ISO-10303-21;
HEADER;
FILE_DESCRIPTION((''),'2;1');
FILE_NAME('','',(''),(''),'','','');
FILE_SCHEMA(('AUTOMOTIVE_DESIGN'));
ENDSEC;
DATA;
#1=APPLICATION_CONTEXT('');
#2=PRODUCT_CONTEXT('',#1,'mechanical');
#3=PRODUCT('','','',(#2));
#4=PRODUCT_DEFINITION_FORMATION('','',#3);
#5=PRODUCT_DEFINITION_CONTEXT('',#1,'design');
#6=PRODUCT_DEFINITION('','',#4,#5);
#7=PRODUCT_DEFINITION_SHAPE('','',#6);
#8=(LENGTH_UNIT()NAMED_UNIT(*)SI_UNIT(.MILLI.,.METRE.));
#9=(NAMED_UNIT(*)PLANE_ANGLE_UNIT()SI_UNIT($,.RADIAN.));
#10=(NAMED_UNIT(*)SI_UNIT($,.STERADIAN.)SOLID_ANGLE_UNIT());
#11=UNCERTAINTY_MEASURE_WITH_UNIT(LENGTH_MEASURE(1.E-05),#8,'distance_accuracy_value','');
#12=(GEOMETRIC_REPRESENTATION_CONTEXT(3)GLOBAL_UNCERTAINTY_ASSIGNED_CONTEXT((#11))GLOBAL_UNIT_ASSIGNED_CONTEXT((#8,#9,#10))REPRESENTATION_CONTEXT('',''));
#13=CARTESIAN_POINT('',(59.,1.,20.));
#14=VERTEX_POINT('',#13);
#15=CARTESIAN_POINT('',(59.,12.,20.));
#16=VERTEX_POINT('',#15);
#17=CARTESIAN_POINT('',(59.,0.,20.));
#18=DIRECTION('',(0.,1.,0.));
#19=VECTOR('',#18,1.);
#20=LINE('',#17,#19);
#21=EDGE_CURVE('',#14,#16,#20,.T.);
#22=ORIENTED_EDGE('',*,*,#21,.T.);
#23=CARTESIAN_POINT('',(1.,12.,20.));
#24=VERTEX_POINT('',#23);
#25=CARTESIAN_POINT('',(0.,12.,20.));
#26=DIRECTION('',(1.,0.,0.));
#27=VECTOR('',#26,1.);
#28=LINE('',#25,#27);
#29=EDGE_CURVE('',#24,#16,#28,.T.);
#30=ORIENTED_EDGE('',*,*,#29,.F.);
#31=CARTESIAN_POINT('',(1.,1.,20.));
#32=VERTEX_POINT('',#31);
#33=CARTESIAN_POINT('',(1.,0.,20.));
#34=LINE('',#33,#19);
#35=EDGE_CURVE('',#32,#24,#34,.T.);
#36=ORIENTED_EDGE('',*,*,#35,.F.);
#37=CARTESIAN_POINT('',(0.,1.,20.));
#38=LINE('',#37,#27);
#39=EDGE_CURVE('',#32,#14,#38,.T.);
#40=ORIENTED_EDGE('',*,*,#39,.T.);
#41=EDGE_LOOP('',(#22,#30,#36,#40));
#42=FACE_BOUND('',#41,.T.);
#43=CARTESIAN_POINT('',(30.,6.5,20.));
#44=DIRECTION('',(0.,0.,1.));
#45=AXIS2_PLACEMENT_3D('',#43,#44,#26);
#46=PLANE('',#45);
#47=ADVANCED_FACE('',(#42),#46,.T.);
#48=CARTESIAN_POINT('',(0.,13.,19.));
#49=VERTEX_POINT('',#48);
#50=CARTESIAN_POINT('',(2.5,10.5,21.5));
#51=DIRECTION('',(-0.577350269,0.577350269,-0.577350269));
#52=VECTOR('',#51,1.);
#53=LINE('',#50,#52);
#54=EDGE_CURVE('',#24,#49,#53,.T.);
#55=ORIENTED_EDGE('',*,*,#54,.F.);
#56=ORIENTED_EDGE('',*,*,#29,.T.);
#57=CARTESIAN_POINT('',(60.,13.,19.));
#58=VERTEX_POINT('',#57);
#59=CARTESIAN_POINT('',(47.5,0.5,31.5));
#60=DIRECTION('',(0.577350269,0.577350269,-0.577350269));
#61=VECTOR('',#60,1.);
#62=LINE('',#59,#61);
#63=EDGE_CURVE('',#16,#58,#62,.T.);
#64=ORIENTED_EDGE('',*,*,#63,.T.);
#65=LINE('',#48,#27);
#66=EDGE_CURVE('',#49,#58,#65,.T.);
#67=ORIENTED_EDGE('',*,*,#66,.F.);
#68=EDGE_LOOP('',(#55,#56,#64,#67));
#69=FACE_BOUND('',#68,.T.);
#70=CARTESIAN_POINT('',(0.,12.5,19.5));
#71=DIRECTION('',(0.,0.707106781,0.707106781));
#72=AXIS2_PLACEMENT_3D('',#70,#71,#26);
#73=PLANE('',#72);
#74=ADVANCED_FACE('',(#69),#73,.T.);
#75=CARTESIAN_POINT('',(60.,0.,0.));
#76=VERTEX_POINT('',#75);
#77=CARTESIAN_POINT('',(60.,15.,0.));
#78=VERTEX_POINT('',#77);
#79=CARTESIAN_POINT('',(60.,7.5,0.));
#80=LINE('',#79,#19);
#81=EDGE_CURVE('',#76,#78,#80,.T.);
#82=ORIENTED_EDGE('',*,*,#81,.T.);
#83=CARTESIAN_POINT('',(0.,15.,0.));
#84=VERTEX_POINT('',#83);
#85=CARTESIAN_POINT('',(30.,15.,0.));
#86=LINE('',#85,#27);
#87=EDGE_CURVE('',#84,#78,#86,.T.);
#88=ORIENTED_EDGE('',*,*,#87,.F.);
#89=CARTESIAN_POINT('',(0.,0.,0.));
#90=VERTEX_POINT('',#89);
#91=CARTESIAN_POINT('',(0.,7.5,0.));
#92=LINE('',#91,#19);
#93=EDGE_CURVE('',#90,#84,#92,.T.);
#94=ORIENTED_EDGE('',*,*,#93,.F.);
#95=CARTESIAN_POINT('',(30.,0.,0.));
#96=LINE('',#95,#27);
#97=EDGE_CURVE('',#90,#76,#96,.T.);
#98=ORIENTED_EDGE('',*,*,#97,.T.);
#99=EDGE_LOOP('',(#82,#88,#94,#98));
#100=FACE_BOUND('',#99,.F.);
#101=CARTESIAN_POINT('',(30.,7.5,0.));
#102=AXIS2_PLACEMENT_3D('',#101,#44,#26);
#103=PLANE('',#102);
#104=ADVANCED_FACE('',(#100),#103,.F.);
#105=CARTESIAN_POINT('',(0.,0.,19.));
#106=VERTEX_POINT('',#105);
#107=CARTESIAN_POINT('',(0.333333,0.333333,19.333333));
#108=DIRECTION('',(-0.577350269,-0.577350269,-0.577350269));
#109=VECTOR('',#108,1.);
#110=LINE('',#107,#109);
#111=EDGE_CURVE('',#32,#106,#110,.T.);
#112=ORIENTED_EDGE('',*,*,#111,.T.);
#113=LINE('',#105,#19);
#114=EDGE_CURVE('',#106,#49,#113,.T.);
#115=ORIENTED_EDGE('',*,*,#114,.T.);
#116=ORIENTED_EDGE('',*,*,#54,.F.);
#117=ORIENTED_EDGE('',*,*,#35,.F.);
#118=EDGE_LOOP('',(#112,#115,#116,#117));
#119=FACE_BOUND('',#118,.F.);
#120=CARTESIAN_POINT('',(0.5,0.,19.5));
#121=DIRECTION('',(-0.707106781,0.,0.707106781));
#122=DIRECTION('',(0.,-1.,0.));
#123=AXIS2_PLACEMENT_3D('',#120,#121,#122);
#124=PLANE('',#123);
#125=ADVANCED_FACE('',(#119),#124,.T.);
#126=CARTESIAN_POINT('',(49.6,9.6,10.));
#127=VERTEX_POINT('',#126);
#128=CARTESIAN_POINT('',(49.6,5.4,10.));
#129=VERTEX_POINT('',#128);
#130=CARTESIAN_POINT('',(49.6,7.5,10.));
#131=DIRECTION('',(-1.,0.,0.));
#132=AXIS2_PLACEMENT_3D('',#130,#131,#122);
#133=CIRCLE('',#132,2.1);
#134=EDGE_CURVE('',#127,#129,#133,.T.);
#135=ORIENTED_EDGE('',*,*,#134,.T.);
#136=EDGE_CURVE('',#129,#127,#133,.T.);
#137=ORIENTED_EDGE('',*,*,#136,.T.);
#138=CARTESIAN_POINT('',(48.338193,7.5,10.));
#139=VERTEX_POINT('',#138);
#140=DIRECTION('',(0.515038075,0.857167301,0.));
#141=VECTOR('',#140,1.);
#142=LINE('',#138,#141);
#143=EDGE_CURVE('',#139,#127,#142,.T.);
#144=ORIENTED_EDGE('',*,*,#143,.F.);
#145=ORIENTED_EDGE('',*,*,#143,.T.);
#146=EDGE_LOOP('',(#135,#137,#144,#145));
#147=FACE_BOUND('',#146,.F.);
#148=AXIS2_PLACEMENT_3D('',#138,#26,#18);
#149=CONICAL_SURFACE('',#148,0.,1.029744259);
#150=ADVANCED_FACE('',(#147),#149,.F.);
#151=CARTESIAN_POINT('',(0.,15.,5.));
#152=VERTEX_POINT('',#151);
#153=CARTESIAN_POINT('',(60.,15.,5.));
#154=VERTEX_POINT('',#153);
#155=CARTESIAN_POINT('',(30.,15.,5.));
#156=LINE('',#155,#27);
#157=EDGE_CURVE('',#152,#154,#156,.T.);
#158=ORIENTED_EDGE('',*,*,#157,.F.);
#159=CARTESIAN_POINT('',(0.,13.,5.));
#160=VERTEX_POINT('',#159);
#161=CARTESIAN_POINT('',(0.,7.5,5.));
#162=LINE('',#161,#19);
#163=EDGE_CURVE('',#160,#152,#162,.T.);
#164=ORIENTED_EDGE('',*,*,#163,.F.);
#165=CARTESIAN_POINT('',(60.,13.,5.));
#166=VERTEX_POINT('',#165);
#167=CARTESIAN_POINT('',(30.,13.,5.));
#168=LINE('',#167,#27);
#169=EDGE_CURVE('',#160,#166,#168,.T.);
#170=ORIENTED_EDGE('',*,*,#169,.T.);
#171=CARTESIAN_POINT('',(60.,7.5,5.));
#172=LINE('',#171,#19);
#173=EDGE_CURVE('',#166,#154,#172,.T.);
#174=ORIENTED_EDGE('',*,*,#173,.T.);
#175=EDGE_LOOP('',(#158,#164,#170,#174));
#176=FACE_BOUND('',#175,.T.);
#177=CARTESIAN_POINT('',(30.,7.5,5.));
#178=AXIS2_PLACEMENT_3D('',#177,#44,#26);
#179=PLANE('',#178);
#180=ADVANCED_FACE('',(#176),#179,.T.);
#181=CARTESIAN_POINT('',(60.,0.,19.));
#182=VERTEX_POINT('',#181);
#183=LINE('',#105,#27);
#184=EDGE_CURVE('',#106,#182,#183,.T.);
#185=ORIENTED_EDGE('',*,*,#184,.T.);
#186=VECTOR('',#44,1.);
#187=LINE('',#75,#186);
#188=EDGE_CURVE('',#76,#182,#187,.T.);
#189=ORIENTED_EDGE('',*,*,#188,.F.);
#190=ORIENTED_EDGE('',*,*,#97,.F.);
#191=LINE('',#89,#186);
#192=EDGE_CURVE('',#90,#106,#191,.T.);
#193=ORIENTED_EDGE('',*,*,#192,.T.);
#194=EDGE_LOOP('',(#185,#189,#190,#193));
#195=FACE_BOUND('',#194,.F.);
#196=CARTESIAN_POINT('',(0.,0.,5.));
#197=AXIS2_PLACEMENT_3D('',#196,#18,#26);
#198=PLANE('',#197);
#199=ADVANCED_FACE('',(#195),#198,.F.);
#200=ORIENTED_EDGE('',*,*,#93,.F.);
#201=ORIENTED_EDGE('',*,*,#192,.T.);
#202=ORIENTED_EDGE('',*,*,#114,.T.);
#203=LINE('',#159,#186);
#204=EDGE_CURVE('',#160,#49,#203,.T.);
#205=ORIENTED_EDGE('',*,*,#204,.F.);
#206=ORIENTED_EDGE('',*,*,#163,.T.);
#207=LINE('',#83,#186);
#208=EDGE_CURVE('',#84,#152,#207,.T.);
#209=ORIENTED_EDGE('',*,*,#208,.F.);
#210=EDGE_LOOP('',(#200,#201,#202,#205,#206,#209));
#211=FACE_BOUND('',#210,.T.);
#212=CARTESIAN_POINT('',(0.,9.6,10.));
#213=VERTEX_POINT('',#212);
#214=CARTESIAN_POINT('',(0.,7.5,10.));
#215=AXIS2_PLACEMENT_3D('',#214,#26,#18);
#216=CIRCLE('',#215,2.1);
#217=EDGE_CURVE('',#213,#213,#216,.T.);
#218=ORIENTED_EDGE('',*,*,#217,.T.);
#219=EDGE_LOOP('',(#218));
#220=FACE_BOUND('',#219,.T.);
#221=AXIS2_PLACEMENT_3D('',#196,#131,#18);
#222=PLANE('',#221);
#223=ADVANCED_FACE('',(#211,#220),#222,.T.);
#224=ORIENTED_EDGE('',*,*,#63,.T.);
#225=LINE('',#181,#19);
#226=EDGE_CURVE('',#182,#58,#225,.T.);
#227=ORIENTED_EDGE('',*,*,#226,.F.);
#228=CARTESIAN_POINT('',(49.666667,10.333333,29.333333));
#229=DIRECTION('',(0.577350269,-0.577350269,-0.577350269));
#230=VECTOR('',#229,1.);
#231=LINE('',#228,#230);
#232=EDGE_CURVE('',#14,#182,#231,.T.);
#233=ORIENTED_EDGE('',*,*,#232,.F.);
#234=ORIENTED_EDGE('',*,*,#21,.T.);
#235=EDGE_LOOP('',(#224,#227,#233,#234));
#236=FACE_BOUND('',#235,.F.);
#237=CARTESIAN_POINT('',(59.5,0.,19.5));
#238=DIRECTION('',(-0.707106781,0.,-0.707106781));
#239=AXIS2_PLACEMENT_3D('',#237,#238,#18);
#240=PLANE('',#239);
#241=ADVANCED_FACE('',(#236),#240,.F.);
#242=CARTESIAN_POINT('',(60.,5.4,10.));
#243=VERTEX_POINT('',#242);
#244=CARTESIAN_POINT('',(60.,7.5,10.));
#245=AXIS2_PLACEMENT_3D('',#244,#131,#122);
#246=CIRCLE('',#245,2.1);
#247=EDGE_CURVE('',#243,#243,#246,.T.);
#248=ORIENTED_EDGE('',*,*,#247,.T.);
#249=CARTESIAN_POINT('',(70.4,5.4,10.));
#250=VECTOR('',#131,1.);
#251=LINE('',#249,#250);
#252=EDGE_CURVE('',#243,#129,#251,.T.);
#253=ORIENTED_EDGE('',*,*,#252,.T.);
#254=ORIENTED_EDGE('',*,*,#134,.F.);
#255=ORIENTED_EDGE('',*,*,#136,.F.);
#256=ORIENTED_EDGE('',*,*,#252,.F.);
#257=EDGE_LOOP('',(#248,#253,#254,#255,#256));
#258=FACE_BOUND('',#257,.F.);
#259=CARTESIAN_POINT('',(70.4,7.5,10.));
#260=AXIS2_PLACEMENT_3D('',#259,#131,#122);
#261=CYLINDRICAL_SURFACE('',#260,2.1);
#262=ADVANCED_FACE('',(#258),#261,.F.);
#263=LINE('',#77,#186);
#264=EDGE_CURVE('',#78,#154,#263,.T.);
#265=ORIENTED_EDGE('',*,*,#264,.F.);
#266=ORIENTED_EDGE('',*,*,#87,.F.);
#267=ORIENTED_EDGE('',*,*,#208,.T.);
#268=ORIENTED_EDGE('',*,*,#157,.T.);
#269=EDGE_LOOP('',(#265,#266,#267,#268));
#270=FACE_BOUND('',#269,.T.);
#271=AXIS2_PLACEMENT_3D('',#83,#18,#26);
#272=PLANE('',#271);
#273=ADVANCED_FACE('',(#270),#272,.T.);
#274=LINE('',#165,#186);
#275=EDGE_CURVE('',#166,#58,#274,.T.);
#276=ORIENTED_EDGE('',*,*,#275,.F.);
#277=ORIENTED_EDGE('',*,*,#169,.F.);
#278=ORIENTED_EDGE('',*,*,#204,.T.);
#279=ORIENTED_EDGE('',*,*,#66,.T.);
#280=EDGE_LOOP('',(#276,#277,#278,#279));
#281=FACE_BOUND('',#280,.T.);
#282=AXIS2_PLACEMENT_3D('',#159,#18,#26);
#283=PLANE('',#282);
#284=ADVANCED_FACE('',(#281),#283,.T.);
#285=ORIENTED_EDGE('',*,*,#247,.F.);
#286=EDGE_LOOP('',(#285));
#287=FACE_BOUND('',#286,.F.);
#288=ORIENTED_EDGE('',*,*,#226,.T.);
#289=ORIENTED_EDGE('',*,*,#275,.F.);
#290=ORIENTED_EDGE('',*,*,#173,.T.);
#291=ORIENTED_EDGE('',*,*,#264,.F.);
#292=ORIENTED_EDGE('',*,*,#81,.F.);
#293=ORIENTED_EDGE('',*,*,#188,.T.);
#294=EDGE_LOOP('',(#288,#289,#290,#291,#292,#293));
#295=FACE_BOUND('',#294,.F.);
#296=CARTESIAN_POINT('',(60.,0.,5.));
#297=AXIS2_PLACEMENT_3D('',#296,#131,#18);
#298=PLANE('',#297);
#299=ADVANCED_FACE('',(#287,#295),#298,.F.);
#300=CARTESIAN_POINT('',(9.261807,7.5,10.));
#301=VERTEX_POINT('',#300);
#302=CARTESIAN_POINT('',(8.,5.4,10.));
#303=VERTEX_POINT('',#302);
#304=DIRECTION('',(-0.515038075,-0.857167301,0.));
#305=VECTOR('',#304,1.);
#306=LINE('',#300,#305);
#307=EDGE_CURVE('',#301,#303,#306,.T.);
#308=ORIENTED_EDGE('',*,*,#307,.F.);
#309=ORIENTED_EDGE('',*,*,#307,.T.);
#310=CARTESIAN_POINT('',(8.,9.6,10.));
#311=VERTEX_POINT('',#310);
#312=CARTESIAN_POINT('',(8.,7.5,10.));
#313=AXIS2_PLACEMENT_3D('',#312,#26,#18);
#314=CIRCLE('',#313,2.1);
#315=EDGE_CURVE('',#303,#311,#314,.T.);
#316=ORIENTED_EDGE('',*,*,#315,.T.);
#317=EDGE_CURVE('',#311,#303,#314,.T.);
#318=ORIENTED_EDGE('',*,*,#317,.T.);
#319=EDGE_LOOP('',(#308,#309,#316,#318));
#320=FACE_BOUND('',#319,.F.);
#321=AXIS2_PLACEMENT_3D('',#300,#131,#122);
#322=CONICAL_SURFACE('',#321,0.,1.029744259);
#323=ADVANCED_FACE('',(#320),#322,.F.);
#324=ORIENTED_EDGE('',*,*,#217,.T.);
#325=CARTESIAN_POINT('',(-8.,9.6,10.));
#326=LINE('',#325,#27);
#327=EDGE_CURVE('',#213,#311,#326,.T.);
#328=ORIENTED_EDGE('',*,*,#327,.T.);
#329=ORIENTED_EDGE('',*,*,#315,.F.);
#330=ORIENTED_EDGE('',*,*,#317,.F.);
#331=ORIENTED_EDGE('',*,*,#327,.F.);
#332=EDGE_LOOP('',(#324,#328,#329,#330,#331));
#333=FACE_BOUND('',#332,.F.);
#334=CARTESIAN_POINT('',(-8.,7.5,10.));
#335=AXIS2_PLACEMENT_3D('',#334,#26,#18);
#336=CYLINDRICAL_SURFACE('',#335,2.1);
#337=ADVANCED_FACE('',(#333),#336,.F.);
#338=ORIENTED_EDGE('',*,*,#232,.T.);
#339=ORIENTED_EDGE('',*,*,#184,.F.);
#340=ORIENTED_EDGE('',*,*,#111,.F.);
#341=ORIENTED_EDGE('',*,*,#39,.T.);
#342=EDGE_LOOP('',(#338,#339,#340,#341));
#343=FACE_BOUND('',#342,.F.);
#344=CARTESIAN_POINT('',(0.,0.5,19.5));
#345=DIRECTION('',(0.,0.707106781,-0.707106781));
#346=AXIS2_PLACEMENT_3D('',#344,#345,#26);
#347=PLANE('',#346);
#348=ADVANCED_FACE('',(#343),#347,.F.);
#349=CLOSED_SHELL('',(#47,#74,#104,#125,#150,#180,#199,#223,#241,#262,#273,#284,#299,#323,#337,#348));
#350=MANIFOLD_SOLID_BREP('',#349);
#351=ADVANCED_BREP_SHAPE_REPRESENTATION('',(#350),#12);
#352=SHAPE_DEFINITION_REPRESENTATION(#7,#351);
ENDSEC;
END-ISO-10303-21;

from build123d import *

# Parameters (mm, degrees)
F0_W     = 60
F0_H     = 15
F1_DEPTH = 5
F2_W     = 60
F2_H     = 13
F3_DEPTH = 15
F5_D     = 4.2
F5_DEPTH = 10.4
F5_TIP   = 1.2618073
F7_D     = 4.2
F7_DEPTH = 8
F7_TIP   = 1.2618073
F8_SIZE  = 1


with BuildPart() as f1:
    # F0 (on Top) → F1 (new body)
    with BuildSketch(Plane.XY):
        with Locations((30, 7.5)):
            Rectangle(F0_W, F0_H)
    extrude(amount=F1_DEPTH)

    # F2 (on face) → F3 (join)
    with BuildSketch(Plane.XY.offset(5)):
        with Locations((30, 6.5)):
            Rectangle(F2_W, F2_H)
    extrude(amount=F3_DEPTH)

    # F5
    with Locations(Plane.YZ.offset(60)):
        with Locations((7.5, 10)):
            Hole(F5_D / 2, depth=F5_DEPTH)
            with Locations((0, 0, -(F5_DEPTH + F5_TIP / 2))):  # 118° drill point
                Cone(0, F5_D / 2, F5_TIP, mode=Mode.SUBTRACT)

    # F7
    with Locations(Plane(origin=(0, 0, 0), x_dir=(0, -1, 0), z_dir=(-1, 0, 0))):
        with Locations((-7.5, 10)):
            Hole(F7_D / 2, depth=F7_DEPTH)
            with Locations((0, 0, -(F7_DEPTH + F7_TIP / 2))):  # 118° drill point
                Cone(0, F7_D / 2, F7_TIP, mode=Mode.SUBTRACT)

    # F8
    f8_edges = [f1.edges().sort_by_distance(p)[0] for p in [
        (30, 13, 20),
        (30, 0, 20),
        (0, 6.5, 20),
        (60, 6.5, 20),
    ]]
    chamfer(f8_edges, length=F8_SIZE)


solid = f1.part
